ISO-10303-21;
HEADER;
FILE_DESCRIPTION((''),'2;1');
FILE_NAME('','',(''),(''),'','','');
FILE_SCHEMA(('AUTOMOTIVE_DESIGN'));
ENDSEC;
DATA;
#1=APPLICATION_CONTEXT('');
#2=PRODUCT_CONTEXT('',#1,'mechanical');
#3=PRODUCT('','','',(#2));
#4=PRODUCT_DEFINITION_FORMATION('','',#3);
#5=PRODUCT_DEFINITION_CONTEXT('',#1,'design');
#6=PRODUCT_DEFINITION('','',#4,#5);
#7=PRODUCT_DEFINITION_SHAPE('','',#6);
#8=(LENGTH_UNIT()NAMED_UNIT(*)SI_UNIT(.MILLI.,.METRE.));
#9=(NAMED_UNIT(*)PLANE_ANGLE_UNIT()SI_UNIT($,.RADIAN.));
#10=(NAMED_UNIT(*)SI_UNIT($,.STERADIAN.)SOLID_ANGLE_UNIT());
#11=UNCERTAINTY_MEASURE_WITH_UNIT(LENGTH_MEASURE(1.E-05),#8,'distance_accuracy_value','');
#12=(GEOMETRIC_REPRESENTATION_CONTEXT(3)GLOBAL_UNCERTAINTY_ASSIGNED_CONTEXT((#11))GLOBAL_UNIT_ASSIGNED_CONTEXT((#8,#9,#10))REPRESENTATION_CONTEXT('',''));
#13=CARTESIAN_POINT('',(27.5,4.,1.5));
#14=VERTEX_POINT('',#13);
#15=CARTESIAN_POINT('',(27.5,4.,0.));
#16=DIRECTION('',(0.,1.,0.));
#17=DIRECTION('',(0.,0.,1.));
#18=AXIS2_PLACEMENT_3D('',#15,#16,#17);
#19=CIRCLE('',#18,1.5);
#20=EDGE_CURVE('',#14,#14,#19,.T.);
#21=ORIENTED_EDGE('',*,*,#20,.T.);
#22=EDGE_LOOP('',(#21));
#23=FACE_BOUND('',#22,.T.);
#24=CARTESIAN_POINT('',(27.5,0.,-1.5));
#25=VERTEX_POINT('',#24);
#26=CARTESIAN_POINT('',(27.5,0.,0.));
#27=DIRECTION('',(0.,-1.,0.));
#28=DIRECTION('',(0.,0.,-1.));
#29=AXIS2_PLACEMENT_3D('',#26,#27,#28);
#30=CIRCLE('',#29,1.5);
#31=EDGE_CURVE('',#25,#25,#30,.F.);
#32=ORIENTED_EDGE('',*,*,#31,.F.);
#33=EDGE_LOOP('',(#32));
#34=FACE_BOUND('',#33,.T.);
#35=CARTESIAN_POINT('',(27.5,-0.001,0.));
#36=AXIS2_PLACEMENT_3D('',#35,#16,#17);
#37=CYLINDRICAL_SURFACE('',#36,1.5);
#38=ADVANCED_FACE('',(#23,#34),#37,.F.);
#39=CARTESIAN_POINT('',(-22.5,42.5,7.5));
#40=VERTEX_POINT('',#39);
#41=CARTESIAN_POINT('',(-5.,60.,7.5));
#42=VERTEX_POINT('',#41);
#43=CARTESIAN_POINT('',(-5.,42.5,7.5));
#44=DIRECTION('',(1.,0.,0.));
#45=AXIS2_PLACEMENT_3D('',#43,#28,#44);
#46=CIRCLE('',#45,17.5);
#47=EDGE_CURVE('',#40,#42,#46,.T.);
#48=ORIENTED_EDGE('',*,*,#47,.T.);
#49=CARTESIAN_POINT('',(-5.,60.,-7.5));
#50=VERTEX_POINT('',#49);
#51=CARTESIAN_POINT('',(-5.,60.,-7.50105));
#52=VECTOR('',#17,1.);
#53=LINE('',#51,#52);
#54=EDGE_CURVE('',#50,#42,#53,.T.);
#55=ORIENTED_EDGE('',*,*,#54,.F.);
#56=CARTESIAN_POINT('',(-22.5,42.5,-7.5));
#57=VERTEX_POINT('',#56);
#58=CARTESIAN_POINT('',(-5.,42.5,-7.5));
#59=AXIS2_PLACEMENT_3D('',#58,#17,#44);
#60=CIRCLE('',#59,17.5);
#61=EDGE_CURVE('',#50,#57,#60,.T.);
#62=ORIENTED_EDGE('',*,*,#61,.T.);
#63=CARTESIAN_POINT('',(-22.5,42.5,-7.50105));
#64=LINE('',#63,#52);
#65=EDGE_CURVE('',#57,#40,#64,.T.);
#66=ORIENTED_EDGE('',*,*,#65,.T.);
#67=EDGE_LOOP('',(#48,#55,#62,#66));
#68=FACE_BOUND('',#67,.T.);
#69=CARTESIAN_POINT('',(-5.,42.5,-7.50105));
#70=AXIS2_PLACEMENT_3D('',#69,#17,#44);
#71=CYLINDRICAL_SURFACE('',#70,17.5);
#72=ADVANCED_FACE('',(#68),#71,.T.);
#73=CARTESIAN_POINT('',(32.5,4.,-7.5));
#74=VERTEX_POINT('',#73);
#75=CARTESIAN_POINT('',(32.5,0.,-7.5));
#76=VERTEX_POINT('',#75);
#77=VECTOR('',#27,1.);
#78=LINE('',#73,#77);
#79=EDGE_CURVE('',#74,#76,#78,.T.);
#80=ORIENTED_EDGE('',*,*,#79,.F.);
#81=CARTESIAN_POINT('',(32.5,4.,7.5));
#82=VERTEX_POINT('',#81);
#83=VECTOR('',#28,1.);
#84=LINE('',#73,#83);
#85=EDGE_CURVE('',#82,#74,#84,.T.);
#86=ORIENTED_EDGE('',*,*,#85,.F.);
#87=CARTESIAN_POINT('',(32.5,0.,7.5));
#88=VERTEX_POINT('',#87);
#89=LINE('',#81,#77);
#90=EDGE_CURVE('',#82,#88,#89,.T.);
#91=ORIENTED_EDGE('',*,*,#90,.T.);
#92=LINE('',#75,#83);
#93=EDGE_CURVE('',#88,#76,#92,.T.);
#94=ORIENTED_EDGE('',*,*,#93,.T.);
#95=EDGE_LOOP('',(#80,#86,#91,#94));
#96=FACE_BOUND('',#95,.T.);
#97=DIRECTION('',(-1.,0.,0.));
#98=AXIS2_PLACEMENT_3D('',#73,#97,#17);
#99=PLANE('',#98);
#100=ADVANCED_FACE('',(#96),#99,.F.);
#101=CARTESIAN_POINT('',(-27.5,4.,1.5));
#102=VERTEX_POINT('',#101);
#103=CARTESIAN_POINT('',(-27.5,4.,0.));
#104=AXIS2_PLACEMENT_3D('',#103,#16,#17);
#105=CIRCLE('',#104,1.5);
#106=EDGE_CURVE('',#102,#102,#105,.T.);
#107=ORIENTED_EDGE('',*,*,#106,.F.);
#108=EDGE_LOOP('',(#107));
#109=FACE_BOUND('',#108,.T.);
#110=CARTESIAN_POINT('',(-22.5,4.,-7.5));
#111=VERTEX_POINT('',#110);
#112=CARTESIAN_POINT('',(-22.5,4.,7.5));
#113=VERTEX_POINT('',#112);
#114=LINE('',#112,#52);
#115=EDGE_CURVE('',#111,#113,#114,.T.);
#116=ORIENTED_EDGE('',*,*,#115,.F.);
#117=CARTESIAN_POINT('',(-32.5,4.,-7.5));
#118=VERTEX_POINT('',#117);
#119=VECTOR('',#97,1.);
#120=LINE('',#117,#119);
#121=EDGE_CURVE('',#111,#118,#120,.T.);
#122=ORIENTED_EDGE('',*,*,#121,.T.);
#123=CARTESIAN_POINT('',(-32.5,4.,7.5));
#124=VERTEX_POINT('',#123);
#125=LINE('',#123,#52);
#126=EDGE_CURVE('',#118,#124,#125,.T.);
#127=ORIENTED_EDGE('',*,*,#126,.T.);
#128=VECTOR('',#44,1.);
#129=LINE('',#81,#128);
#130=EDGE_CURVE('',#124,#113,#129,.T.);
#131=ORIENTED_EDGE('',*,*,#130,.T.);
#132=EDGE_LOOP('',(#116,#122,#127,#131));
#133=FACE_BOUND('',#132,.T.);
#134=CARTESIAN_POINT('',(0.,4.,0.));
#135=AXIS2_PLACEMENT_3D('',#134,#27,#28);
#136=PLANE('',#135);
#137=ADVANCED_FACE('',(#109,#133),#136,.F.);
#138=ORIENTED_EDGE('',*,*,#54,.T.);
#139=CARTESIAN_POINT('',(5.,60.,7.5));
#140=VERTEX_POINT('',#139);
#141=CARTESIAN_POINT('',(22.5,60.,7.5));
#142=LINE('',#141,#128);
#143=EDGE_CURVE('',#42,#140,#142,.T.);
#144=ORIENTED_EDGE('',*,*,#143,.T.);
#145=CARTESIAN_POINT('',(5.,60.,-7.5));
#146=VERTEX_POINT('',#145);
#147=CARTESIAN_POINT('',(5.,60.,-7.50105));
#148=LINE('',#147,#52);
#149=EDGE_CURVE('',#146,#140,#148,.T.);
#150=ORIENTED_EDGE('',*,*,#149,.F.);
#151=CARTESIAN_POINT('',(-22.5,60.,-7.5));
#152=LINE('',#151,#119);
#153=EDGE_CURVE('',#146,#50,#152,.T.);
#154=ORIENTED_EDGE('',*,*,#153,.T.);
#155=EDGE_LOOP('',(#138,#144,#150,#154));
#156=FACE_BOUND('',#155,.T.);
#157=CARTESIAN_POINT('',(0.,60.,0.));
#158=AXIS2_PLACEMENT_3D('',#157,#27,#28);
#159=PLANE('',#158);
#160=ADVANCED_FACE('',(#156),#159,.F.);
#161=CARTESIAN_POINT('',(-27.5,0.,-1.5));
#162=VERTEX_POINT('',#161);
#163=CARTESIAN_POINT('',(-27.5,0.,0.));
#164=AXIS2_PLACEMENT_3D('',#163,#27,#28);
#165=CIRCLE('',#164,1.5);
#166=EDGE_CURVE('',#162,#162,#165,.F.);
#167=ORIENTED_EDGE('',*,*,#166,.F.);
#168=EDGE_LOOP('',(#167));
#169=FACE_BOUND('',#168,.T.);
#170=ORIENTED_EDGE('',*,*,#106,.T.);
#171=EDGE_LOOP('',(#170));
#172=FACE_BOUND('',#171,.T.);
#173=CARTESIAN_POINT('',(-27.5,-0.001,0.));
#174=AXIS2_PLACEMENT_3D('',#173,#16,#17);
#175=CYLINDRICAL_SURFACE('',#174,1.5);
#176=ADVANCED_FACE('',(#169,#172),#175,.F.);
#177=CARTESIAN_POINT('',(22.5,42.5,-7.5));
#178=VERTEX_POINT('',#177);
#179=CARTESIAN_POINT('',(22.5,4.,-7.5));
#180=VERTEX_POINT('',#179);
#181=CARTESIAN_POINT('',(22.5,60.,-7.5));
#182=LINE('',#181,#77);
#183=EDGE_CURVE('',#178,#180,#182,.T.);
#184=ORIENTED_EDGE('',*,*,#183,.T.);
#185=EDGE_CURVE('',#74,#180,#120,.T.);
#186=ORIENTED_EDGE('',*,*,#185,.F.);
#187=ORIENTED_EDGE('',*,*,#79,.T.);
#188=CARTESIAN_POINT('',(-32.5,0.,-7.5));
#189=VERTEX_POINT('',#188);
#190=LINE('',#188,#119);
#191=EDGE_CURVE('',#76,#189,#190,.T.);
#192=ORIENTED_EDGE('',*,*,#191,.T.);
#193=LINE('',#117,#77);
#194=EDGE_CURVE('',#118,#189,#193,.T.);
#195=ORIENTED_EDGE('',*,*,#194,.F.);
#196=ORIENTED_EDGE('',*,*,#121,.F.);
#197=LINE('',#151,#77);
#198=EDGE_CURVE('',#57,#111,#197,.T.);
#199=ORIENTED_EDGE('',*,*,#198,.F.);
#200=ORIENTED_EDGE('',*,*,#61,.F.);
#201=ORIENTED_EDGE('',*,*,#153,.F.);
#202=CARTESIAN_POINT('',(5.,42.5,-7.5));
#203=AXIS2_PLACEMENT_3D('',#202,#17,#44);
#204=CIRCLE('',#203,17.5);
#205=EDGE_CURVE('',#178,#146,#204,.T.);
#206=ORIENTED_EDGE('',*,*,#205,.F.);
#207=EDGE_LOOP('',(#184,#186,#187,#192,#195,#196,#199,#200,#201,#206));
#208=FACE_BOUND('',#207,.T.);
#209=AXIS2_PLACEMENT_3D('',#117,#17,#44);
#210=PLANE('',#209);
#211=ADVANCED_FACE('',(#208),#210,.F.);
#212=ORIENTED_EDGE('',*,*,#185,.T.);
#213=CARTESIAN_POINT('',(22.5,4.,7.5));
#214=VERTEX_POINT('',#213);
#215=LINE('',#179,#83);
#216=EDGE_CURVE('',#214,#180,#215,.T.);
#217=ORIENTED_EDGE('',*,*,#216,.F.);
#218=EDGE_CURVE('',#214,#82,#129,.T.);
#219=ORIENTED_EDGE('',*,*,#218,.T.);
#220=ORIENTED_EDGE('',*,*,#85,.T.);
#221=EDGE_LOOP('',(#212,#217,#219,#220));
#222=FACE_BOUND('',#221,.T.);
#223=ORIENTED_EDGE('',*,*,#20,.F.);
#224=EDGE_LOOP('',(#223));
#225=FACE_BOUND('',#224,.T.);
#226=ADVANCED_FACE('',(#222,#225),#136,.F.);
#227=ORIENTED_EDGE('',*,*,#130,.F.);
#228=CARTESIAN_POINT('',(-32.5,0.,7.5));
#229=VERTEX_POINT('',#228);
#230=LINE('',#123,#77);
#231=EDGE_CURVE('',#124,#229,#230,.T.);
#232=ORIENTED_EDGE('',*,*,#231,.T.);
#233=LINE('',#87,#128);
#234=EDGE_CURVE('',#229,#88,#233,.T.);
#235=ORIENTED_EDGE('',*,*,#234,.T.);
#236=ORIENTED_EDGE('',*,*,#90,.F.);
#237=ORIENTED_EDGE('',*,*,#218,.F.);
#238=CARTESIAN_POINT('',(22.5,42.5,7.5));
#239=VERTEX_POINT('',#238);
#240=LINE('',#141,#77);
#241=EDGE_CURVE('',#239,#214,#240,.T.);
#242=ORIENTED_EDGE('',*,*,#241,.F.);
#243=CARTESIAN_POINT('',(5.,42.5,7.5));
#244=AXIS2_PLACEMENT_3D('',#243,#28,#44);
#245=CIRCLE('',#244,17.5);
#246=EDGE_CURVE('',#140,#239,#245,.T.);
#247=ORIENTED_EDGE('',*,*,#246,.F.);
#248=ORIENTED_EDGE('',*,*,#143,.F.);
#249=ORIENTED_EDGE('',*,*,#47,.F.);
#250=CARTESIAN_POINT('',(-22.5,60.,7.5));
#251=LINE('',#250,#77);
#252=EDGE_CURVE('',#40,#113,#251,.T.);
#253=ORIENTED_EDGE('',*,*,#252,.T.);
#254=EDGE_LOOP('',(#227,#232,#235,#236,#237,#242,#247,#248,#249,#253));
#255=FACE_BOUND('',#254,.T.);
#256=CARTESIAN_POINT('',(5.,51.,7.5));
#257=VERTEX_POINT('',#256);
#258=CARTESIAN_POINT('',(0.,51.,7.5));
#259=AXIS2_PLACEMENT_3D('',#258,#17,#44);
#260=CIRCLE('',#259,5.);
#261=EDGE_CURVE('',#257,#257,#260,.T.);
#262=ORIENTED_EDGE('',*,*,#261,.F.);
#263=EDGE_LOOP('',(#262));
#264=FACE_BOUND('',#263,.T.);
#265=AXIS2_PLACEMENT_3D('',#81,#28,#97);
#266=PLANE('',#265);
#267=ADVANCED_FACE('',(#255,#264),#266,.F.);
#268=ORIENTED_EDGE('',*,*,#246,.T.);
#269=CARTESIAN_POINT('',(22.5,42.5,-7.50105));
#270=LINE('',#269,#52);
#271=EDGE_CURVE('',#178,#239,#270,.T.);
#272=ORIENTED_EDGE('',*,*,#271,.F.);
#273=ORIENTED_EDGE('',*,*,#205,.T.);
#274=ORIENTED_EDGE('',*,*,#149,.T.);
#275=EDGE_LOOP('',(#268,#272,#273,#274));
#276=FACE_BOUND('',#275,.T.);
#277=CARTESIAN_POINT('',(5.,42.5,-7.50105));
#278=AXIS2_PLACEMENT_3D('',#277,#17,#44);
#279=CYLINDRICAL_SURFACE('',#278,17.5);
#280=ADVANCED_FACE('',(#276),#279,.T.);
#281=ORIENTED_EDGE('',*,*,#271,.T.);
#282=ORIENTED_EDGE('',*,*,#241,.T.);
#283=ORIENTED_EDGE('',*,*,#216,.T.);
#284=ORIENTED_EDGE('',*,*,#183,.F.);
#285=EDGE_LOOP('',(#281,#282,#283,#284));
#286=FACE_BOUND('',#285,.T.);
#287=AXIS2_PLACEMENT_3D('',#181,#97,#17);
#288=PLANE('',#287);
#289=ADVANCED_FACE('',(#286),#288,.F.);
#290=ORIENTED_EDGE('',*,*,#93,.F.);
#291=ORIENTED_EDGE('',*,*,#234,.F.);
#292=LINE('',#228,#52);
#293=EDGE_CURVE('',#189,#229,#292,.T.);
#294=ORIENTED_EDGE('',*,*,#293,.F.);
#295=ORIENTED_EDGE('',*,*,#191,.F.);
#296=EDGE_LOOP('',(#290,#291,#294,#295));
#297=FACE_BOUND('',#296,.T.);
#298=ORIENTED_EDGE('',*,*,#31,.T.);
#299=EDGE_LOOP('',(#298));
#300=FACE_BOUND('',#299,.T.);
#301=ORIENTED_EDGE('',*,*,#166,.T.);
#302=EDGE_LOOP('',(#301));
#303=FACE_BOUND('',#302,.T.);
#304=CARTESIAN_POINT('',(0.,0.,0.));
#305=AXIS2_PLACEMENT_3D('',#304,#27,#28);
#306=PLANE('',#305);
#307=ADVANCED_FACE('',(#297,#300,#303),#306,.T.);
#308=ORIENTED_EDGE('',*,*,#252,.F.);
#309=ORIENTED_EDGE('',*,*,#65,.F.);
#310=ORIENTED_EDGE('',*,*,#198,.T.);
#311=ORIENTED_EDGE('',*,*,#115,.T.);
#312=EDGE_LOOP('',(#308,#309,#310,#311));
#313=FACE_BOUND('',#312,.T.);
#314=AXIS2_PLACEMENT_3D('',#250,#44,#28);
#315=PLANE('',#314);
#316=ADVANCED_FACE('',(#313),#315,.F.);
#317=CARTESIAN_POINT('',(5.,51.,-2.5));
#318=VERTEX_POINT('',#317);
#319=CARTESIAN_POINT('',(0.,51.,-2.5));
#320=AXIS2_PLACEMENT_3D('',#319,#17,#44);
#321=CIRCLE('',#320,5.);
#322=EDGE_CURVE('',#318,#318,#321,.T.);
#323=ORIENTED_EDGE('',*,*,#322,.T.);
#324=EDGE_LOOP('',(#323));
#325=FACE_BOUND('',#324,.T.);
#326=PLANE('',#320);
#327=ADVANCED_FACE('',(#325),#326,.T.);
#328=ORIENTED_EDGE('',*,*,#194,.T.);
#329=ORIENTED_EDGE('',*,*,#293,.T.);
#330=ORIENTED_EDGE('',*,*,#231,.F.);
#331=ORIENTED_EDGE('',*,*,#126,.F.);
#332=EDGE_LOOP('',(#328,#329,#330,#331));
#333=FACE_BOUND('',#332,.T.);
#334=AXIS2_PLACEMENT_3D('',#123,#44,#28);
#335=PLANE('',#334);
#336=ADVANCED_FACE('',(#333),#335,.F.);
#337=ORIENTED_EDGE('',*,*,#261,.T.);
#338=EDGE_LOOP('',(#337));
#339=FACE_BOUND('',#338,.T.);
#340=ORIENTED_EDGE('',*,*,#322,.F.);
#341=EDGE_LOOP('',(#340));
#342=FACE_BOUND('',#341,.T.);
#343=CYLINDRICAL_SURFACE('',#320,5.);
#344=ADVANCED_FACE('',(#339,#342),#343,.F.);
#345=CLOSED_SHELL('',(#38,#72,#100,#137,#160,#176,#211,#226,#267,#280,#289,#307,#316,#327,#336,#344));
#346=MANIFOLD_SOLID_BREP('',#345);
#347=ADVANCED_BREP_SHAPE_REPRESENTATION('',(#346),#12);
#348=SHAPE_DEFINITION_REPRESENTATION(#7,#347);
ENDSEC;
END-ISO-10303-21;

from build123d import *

# Parameters (mm, degrees)
SKETCH1_W           = 65
SKETCH1_H           = 15
BOSS_EXTRUDE1_DEPTH = 4
SKETCH2_W           = 45
SKETCH2_H           = 15
BOSS_EXTRUDE2_DEPTH = 56
SKETCH3_R           = 5
CUT_EXTRUDE1_DEPTH  = 10
CUT_EXTRUDE4_REACH  = 6
SKETCH5_R           = 1.5
CUT_EXTRUDE5_REACH  = 17


with BuildPart() as part:
    # Sketch1 → Boss-Extrude1 (new body)
    with BuildSketch(Plane(origin=(0, 0, 0), x_dir=(1, 0, 0), z_dir=(0, 1, 0))):
        Rectangle(SKETCH1_W, SKETCH1_H)
    extrude(amount=BOSS_EXTRUDE1_DEPTH)

    # Sketch2 → Boss-Extrude2 (add)
    with BuildSketch(Plane(origin=(0, 4, 0), x_dir=(1, 0, 0), z_dir=(0, 1, 0))):
        Rectangle(SKETCH2_W, SKETCH2_H)
    extrude(amount=BOSS_EXTRUDE2_DEPTH)

    # Sketch3 → Cut-Extrude1 (cut)
    with BuildSketch(Plane.XY.offset(7.5)):
        with Locations((0, 51)):
            Circle(SKETCH3_R)
    extrude(amount=-CUT_EXTRUDE1_DEPTH, mode=Mode.SUBTRACT)

    # Sketch5 → Cut-Extrude4 (cut, up to next)
    with BuildSketch(Plane(origin=(0, 4, 0), x_dir=(1, 0, 0), z_dir=(0, 1, 0)), mode=Mode.PRIVATE) as cut_extrude4_sk1:
        with Locations((-27.5, 0)):
            Circle(SKETCH5_R)
    cut_extrude4_tool1 = extrude(cut_extrude4_sk1.sketch, amount=-CUT_EXTRUDE4_REACH, mode=Mode.PRIVATE) & part.part
    add(cut_extrude4_tool1.solids().sort_by_distance((-27.5, 4, 0))[0], mode=Mode.SUBTRACT)
    # Sketch5 → Cut-Extrude4 (cut, up to next)
    with BuildSketch(Plane(origin=(0, 4, 0), x_dir=(1, 0, 0), z_dir=(0, 1, 0)), mode=Mode.PRIVATE) as cut_extrude4_sk2:
        with Locations((27.5, 0)):
            Circle(SKETCH5_R)
    cut_extrude4_tool2 = extrude(cut_extrude4_sk2.sketch, amount=-CUT_EXTRUDE4_REACH, mode=Mode.PRIVATE) & part.part
    add(cut_extrude4_tool2.solids().sort_by_distance((27.5, 4, 0))[0], mode=Mode.SUBTRACT)

    # Sketch6 → Cut-Extrude5 (cut, up to next)
    with BuildSketch(Plane.XY.offset(7.5), mode=Mode.PRIVATE) as cut_extrude5_sk1:
        with BuildLine():
            Line((5, 60), (22.5, 60))
            Line((22.5, 60), (22.5, 42.5))
            ThreePointArc((22.5, 42.5), (17.374368671, 54.874368671), (5, 60))
        make_face()
    cut_extrude5_tool1 = extrude(cut_extrude5_sk1.sketch, amount=-CUT_EXTRUDE5_REACH, mode=Mode.PRIVATE) & part.part
    add(cut_extrude5_tool1.solids().sort_by_distance((18.591061, 56.091061, 7.5))[0], mode=Mode.SUBTRACT)
    # Sketch6 → Cut-Extrude5 (cut, up to next)
    with BuildSketch(Plane.XY.offset(7.5), mode=Mode.PRIVATE) as cut_extrude5_sk2:
        with BuildLine():
            Line((-22.5, 42.5), (-22.5, 60))
            Line((-22.5, 60), (-5, 60))
            ThreePointArc((-5, 60), (-17.374368671, 54.874368671), (-22.5, 42.5))
        make_face()
    cut_extrude5_tool2 = extrude(cut_extrude5_sk2.sketch, amount=-CUT_EXTRUDE5_REACH, mode=Mode.PRIVATE) & part.part
    add(cut_extrude5_tool2.solids().sort_by_distance((-18.591061, 56.091061, 7.5))[0], mode=Mode.SUBTRACT)


solid = part.part
